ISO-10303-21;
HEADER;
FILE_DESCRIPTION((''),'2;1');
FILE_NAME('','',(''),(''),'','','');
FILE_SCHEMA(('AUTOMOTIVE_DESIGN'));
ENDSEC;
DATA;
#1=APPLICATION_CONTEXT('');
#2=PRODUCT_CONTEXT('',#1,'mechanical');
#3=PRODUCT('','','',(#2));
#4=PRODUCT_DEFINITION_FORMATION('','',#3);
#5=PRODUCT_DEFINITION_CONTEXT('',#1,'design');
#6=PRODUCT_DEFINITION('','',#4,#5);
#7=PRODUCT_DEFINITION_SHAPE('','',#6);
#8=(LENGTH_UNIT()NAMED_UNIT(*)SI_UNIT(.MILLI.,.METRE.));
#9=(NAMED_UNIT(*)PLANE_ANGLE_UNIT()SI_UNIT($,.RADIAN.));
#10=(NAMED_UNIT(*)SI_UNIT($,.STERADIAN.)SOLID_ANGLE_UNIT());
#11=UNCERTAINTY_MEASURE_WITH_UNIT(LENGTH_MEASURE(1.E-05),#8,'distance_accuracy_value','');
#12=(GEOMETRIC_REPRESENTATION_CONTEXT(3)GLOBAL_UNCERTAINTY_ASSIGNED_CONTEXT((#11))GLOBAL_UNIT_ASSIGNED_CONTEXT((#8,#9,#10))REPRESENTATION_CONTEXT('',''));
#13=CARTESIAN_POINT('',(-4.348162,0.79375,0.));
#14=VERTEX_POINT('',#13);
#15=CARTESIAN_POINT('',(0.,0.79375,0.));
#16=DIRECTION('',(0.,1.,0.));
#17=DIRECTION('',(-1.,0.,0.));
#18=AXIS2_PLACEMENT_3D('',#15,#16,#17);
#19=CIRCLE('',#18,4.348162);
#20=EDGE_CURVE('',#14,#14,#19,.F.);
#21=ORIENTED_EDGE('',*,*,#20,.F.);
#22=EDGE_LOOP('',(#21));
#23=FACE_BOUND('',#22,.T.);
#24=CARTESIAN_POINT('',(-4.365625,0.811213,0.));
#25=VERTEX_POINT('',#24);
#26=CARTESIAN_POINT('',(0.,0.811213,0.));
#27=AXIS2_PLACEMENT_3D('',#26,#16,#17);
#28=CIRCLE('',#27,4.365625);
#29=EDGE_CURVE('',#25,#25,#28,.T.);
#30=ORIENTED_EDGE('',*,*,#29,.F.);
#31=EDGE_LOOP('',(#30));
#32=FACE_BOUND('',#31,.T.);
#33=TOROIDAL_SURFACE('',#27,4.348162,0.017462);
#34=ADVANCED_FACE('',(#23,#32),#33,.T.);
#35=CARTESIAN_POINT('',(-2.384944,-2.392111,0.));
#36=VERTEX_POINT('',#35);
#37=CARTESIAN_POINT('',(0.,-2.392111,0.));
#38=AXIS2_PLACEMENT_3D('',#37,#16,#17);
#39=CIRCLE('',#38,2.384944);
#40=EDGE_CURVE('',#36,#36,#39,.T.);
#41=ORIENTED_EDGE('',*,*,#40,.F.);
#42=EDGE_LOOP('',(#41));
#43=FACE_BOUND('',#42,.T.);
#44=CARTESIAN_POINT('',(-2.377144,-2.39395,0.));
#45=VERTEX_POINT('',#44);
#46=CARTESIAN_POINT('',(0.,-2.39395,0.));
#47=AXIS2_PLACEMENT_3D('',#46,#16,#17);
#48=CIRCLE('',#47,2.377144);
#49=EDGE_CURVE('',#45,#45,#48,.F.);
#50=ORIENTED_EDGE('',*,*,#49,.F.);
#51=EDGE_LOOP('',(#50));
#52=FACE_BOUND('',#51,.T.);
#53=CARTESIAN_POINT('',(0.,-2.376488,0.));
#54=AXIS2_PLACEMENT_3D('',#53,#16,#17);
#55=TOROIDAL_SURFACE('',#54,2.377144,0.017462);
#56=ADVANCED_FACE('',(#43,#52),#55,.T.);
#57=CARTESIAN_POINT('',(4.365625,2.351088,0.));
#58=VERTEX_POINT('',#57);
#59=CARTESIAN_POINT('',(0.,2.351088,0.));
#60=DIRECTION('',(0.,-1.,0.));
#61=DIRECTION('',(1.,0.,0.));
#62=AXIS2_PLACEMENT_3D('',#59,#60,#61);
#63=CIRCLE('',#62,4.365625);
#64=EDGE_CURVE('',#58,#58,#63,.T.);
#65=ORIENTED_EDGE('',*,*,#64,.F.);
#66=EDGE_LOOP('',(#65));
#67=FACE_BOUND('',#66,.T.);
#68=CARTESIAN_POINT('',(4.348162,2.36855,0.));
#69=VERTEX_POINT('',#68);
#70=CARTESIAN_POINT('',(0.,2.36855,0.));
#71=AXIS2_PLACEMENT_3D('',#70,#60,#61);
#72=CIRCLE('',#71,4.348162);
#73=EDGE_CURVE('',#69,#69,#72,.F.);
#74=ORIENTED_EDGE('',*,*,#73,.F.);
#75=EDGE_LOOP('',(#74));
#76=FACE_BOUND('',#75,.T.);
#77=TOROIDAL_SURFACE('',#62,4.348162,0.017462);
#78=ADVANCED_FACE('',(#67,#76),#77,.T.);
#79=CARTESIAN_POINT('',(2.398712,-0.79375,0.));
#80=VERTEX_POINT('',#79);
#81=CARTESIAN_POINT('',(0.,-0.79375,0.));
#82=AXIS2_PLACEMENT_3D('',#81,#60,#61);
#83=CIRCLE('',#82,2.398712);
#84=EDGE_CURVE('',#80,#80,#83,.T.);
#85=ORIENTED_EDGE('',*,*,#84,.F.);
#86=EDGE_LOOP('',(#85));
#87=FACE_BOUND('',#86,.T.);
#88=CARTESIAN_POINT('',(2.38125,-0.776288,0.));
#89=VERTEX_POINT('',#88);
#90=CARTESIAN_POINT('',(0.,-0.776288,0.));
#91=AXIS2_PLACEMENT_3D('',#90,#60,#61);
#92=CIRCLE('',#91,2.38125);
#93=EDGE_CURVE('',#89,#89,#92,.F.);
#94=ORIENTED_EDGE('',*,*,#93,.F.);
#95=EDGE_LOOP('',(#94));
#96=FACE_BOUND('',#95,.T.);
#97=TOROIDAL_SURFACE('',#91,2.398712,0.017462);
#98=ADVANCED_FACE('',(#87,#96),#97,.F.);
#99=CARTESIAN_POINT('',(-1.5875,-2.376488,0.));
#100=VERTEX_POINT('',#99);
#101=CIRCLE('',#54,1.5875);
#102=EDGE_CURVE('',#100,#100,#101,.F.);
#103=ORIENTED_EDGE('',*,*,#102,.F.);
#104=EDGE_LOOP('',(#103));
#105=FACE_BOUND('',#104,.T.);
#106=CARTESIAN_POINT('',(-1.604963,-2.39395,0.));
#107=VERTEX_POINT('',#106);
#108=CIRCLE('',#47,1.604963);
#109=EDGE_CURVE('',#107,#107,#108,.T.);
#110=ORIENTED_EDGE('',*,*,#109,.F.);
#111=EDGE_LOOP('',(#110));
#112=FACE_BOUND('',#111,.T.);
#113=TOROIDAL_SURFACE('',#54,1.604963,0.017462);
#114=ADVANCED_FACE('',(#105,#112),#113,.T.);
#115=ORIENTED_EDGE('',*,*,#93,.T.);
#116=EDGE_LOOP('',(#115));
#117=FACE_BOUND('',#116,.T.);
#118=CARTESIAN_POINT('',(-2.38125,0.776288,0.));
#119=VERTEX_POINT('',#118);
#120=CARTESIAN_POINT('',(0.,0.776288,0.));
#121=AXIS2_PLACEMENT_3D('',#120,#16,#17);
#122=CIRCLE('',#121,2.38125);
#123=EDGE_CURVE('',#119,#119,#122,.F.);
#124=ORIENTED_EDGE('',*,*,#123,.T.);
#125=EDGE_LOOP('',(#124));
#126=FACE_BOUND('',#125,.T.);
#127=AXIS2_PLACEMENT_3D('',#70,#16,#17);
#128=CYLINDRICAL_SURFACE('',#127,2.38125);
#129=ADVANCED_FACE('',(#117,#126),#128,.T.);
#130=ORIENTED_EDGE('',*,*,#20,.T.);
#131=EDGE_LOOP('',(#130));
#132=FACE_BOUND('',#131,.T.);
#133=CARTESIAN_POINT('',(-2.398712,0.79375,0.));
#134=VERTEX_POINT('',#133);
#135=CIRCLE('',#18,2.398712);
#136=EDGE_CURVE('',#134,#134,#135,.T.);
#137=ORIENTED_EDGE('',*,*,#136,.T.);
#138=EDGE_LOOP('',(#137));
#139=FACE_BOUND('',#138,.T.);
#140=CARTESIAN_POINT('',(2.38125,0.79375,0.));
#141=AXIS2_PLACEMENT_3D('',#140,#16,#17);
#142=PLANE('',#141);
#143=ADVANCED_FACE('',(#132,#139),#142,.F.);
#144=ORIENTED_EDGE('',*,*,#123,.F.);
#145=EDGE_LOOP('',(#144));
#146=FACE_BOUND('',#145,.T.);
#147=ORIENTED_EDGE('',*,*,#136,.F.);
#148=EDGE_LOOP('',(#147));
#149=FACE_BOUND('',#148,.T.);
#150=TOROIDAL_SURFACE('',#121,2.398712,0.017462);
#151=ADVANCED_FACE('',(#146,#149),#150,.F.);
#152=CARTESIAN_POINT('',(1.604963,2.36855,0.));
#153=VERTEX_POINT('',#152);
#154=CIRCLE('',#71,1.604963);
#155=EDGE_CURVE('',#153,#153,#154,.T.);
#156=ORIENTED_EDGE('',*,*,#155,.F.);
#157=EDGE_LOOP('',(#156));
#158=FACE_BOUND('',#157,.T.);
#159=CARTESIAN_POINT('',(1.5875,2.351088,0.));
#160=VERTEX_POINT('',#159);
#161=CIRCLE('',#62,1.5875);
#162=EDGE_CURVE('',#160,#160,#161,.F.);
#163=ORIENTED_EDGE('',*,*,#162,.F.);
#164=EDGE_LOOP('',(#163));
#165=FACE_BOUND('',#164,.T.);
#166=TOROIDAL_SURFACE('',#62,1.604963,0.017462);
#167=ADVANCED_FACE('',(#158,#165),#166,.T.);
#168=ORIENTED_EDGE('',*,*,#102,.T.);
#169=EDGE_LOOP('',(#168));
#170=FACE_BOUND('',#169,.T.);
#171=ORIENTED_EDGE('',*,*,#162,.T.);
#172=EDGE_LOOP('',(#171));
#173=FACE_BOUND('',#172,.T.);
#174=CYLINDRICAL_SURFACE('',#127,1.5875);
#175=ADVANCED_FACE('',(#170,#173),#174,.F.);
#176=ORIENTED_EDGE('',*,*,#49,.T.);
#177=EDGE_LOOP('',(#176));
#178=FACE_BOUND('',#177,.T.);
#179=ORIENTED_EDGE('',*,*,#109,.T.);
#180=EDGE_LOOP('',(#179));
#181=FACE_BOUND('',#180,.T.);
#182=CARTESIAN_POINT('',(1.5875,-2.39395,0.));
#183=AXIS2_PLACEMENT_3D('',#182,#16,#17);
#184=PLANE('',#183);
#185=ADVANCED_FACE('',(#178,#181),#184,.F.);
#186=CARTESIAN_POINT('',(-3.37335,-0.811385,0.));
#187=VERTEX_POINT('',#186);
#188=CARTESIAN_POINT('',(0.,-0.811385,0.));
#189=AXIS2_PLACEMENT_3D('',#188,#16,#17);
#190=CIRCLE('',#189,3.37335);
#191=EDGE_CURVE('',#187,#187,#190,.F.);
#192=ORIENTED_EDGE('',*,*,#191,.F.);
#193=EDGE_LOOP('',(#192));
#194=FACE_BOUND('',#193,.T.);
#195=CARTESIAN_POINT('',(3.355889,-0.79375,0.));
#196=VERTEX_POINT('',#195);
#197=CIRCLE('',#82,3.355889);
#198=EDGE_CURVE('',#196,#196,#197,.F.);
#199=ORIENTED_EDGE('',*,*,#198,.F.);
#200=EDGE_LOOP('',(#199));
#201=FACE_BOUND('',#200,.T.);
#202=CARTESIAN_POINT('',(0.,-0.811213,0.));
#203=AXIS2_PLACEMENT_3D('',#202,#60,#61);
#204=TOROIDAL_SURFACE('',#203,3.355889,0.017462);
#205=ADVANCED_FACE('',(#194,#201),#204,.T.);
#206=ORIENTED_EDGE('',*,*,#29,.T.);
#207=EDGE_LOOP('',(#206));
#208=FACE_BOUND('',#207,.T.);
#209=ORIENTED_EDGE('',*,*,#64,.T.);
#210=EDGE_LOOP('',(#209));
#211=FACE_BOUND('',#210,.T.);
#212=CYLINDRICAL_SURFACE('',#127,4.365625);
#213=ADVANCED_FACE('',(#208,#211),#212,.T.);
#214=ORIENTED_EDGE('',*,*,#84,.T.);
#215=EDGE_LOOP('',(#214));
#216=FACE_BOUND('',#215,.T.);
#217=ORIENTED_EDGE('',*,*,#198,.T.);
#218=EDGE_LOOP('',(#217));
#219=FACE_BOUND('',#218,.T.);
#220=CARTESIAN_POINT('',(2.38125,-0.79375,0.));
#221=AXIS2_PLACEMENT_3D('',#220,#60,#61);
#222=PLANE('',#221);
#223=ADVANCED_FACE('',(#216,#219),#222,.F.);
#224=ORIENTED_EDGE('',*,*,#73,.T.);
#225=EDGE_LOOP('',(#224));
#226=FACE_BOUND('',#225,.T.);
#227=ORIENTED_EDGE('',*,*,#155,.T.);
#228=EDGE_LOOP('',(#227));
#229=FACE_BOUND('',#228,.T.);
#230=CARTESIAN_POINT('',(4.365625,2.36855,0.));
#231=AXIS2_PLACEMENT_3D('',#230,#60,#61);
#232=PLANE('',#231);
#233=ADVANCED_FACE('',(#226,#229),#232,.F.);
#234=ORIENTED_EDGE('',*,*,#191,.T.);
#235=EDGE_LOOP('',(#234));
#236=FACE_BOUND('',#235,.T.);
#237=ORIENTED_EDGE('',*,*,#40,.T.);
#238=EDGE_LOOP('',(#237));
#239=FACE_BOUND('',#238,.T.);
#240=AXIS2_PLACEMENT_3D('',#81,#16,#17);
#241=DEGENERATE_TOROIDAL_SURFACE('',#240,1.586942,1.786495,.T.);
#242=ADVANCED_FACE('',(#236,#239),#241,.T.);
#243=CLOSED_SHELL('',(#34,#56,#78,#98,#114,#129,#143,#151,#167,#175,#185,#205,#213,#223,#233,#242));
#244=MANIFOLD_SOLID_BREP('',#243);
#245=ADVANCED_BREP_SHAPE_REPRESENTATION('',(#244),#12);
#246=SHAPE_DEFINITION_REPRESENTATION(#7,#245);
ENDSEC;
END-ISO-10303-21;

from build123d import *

# Parameters (mm, degrees)
FILLET1_R = 0.0174625


with BuildPart() as part:
    # Sketch2 → Revolve1 (revolve)
    with BuildSketch(Plane.XY, mode=Mode.PRIVATE) as revolve1_sk:
        with BuildLine():
            Line((2.38125, 0.79375), (2.38125, -0.79375))
            Line((2.38125, -0.79375), (3.3734375, -0.79375))
            ThreePointArc((3.3734375, -0.79375), (3.105262421, -1.73516862), (2.38125, -2.39395))
            Line((2.38125, -2.39395), (1.5875, -2.39395))
            Line((1.5875, -2.39395), (1.5875, 2.36855))
            Line((1.5875, 2.36855), (4.365625, 2.36855))
            Line((4.365625, 2.36855), (4.365625, 0.79375))
            Line((4.365625, 0.79375), (2.38125, 0.79375))
        make_face()
    revolve(revolve1_sk.sketch.rotate(Axis((0, 2.36855, 0), (0, -1, 0)), 180), axis=Axis((0, 2.36855, 0), (0, -1, 0)))

    # Fillet1
    fillet1_edges = [part.edges().sort_by_distance(p)[0] for p in [
        (2.38125, 0.79375, 0),
        (2.38125, -0.79375, 0),
        (3.3734375, -0.79375, 0),
        (2.38125, -2.39395, 0),
        (1.5875, -2.39395, 0),
        (1.5875, 2.36855, 0),
        (4.365625, 2.36855, 0),
        (4.365625, 0.79375, 0),
    ]]
    fillet(fillet1_edges, radius=FILLET1_R)


solid = part.part
